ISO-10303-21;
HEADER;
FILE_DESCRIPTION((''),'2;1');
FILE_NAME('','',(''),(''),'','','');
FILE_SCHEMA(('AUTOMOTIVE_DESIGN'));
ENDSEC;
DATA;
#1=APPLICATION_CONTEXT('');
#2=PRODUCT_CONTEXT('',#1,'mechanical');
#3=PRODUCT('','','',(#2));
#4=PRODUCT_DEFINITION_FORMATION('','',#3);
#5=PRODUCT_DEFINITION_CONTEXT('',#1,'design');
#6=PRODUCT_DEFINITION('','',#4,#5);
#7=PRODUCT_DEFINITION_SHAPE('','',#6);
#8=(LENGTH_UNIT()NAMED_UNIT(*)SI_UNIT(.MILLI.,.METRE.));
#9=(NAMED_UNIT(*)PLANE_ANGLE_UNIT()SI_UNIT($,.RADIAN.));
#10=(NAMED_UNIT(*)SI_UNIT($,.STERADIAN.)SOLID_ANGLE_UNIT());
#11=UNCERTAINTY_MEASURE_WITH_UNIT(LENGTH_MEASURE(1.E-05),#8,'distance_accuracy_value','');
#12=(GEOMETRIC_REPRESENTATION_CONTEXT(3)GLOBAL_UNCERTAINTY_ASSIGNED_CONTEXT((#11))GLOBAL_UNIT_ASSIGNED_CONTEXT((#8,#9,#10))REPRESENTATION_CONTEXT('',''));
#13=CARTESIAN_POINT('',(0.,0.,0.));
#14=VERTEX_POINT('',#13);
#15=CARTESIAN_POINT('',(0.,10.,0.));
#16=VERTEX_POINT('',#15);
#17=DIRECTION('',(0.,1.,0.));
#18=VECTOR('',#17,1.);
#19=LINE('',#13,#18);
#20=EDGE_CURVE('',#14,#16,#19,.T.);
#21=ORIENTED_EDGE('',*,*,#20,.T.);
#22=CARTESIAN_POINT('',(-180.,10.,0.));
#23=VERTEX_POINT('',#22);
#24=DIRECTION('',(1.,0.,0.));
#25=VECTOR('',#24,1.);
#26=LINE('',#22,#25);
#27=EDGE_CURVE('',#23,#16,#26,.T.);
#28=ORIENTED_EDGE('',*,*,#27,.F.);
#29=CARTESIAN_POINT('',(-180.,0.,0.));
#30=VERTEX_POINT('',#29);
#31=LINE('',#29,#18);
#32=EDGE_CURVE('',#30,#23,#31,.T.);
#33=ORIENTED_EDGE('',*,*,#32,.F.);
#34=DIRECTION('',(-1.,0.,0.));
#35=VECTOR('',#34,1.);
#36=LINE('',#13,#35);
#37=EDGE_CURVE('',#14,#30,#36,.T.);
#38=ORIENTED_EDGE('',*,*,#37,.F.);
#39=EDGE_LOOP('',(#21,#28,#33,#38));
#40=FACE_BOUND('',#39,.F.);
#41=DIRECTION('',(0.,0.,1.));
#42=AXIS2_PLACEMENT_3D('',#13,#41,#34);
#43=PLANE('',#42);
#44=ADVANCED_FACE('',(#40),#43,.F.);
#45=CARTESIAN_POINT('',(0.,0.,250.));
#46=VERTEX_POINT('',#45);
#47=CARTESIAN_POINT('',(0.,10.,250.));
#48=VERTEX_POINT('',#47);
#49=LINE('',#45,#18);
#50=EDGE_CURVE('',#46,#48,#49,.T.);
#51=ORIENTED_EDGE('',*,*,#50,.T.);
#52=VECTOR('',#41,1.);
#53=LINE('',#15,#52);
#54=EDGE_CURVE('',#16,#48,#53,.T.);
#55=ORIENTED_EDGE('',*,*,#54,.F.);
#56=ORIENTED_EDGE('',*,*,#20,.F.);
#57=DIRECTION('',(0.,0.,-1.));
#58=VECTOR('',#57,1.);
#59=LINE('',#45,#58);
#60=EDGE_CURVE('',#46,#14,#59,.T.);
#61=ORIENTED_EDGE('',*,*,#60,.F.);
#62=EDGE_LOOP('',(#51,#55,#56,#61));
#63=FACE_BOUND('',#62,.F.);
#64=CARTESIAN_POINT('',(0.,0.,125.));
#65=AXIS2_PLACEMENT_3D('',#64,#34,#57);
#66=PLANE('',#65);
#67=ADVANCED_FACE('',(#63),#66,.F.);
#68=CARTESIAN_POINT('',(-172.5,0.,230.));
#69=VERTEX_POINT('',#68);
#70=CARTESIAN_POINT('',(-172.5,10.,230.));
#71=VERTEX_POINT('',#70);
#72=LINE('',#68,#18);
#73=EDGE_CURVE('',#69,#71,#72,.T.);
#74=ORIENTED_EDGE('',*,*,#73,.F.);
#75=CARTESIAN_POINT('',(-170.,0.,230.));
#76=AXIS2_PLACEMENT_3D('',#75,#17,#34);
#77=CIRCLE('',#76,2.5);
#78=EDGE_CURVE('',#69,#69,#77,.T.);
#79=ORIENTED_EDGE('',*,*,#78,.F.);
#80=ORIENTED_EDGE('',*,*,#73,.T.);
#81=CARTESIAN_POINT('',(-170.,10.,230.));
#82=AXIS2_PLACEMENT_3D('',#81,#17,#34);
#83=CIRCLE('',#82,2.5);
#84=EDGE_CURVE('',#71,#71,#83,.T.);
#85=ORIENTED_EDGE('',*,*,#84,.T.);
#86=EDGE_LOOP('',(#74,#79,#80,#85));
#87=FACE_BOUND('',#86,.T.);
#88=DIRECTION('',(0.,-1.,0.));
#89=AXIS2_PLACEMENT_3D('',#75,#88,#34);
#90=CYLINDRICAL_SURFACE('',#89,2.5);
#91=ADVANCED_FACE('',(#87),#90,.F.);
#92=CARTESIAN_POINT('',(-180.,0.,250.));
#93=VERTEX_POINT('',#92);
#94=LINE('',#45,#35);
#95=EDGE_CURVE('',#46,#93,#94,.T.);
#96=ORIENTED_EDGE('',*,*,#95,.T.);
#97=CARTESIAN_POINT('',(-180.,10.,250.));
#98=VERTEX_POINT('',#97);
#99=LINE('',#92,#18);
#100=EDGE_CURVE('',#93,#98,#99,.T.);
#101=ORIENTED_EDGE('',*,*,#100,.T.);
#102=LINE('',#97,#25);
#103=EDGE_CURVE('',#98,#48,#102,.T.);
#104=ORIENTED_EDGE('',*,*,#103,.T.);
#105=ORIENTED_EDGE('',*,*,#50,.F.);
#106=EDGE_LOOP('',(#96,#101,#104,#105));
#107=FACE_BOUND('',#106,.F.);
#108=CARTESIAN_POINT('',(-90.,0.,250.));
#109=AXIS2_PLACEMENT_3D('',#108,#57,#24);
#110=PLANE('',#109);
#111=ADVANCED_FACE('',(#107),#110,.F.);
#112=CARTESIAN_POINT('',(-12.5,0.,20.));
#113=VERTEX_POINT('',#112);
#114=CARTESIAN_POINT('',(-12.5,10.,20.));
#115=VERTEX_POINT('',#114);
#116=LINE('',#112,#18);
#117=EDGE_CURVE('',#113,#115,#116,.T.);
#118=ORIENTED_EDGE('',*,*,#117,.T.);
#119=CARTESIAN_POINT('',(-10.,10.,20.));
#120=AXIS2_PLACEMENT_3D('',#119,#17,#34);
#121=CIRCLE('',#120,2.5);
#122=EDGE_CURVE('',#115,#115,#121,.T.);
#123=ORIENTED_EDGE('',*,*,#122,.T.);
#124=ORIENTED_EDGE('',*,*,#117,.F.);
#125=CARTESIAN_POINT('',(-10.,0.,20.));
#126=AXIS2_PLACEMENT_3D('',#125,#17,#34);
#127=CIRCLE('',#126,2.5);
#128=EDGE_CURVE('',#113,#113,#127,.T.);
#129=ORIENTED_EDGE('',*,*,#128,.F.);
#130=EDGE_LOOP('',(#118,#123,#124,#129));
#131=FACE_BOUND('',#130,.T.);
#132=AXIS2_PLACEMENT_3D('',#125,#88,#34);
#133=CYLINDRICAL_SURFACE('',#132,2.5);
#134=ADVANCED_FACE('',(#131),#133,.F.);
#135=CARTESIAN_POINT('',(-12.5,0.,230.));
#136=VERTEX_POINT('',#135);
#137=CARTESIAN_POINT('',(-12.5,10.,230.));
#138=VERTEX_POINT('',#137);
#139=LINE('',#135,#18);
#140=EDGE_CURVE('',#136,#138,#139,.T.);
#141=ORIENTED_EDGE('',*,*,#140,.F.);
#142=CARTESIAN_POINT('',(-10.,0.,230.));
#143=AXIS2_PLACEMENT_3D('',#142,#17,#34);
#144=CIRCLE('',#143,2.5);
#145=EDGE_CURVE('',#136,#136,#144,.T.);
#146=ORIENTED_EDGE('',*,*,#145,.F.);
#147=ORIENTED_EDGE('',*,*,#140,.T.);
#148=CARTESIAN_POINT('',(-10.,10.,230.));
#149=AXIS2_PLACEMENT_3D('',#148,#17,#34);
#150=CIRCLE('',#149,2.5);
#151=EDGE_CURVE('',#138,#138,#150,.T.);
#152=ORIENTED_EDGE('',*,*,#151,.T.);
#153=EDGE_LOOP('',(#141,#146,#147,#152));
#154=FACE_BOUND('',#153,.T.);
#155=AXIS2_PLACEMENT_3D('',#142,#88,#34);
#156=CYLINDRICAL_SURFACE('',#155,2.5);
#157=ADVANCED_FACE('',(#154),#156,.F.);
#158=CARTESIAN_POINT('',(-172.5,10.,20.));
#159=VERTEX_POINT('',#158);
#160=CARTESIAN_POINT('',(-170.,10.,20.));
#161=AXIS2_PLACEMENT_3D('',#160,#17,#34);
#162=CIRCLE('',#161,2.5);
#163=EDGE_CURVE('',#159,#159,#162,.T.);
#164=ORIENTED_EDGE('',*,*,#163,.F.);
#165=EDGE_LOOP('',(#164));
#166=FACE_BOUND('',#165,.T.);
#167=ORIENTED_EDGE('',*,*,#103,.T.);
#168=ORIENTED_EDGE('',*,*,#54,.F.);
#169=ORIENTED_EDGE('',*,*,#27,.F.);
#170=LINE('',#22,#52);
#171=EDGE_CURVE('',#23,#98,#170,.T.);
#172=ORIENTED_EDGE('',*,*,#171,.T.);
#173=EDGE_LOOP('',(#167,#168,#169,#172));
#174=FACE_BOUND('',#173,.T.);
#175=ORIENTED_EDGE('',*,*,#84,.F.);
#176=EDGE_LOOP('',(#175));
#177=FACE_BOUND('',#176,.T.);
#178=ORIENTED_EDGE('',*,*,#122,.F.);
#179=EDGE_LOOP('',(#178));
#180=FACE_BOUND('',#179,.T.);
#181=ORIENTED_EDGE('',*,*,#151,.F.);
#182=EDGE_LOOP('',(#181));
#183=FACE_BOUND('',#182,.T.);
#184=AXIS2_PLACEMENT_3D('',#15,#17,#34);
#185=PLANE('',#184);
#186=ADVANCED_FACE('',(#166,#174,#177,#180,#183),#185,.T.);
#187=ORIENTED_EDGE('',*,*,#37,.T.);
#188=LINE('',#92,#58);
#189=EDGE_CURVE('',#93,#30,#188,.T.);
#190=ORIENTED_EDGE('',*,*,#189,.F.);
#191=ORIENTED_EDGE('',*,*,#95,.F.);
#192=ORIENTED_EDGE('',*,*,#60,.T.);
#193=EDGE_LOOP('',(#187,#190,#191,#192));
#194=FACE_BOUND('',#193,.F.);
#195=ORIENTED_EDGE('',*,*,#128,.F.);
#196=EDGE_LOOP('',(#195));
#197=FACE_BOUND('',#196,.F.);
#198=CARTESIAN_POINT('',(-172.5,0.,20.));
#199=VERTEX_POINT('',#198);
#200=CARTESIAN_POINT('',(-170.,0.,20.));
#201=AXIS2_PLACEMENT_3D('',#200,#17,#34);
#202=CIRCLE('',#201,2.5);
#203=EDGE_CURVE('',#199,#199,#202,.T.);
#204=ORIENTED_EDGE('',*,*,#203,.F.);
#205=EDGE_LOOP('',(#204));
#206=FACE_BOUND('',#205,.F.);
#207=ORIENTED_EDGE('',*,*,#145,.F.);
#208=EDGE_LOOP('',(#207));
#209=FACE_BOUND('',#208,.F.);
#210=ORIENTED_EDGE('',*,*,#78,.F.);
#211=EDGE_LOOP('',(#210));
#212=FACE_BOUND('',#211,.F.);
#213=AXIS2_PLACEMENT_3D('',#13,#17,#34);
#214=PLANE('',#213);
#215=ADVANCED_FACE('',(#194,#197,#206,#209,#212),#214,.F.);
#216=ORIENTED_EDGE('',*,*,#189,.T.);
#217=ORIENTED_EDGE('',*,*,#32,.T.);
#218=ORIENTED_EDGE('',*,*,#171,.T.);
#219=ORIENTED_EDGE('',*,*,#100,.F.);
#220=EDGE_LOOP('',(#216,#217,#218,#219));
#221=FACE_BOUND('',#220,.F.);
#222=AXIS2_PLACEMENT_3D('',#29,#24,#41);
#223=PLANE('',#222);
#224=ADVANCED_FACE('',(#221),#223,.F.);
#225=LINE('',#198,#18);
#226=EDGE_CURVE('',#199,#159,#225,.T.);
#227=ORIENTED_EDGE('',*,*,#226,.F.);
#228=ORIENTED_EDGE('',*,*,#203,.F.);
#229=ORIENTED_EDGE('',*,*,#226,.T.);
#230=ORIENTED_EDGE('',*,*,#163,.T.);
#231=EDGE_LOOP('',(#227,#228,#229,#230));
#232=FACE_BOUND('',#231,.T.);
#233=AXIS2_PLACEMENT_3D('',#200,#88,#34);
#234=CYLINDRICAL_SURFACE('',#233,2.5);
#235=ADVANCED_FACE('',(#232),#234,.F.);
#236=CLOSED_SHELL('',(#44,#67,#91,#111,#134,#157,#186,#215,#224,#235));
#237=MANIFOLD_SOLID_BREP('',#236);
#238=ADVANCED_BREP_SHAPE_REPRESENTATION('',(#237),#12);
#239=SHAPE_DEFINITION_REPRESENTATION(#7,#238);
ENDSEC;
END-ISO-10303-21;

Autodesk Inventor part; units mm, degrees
ref_plane "YZ Plane" through (0, 0, 0) normal (1, 0, 0) x (0, 1, 0)
ref_plane "XZ Plane" through (0, 0, 0) normal (0, 1, 0) x (-1, 0, 0)
ref_plane "XY Plane" through (0, 0, 0) normal (0, 0, 1) x (1, 0, 0)
sketch "Block1" plane through (0, 0, 0) normal (0, 0, 1) x (1, 0, 0)
  line L0 (0.22, -250.22) -> (-180.22, -250.22)
  line L1 (-180.22, -250.22) -> (-180.22, 0.22)
  line L2 (-180.22, 0.22) -> (0.22, 0.22)
  line L3 (0.22, 0.22) -> (0.22, -250.22)
  circle A0 centre (-10, -230) radius 2.72
  circle A1 centre (-10, -20) radius 2.72
  circle A2 centre (-170, -20) radius 2.72
  circle A3 centre (-170, -230) radius 2.72
  point P0 (-90, -125)
sketch "Sketch1" plane through (0, 0, 0) normal (0, 1, 0) x (-1, 0, 0)
  line L0 (0, 0) -> (180, 0)
  line L1 (180, 0) -> (180, 250)
  line L2 (180, 250) -> (0, 250)
  line L3 (0, 250) -> (0, 0)
  circle A0 centre (170, 230) radius 2.5
  line L4 (90, 267.688) -> (90, -13.7422)
  line L5 (215.5014, 125) -> (-35.5429, 125)
  circle A1 centre (10, 230) radius 2.5
  circle A2 centre (170, 20) radius 2.5
  circle A3 centre (10, 20) radius 2.5
  dimension "d1" = 250
  dimension "d2" = 180
  dimension "d5" = 5
  dimension "d6" = 10
  dimension "d7" = 20
  dimension "d8" = 90
  dimension "d9" = 125
extrude "Extrusion2" add sketch "Sketch1" along normal blind 10
sketch "Sketch2" plane through (0, 10, 0) normal (0, 1, 0) x (1, 0, 0)
  circle A0 centre (-10, -20) radius 2.5 projected
  circle A1 centre (-170, -20) radius 2.5 projected
  circle A2 centre (-10, -230) radius 2.5 projected
  circle A3 centre (-170, -230) radius 2.5 projected
  line L0 (0, 0) -> (-180, 0) projected
  line L1 (-180, 0) -> (-180, -250) projected
  line L2 (-180, -250) -> (0, -250) projected
  line L3 (0, -250) -> (0, 0) projected
sketch "DXF" plane through (0, 0, 0) normal (0, 1, 0) x (-1, 0, 0)
  point P0 (0, 0)
properties part number "guardplate"
